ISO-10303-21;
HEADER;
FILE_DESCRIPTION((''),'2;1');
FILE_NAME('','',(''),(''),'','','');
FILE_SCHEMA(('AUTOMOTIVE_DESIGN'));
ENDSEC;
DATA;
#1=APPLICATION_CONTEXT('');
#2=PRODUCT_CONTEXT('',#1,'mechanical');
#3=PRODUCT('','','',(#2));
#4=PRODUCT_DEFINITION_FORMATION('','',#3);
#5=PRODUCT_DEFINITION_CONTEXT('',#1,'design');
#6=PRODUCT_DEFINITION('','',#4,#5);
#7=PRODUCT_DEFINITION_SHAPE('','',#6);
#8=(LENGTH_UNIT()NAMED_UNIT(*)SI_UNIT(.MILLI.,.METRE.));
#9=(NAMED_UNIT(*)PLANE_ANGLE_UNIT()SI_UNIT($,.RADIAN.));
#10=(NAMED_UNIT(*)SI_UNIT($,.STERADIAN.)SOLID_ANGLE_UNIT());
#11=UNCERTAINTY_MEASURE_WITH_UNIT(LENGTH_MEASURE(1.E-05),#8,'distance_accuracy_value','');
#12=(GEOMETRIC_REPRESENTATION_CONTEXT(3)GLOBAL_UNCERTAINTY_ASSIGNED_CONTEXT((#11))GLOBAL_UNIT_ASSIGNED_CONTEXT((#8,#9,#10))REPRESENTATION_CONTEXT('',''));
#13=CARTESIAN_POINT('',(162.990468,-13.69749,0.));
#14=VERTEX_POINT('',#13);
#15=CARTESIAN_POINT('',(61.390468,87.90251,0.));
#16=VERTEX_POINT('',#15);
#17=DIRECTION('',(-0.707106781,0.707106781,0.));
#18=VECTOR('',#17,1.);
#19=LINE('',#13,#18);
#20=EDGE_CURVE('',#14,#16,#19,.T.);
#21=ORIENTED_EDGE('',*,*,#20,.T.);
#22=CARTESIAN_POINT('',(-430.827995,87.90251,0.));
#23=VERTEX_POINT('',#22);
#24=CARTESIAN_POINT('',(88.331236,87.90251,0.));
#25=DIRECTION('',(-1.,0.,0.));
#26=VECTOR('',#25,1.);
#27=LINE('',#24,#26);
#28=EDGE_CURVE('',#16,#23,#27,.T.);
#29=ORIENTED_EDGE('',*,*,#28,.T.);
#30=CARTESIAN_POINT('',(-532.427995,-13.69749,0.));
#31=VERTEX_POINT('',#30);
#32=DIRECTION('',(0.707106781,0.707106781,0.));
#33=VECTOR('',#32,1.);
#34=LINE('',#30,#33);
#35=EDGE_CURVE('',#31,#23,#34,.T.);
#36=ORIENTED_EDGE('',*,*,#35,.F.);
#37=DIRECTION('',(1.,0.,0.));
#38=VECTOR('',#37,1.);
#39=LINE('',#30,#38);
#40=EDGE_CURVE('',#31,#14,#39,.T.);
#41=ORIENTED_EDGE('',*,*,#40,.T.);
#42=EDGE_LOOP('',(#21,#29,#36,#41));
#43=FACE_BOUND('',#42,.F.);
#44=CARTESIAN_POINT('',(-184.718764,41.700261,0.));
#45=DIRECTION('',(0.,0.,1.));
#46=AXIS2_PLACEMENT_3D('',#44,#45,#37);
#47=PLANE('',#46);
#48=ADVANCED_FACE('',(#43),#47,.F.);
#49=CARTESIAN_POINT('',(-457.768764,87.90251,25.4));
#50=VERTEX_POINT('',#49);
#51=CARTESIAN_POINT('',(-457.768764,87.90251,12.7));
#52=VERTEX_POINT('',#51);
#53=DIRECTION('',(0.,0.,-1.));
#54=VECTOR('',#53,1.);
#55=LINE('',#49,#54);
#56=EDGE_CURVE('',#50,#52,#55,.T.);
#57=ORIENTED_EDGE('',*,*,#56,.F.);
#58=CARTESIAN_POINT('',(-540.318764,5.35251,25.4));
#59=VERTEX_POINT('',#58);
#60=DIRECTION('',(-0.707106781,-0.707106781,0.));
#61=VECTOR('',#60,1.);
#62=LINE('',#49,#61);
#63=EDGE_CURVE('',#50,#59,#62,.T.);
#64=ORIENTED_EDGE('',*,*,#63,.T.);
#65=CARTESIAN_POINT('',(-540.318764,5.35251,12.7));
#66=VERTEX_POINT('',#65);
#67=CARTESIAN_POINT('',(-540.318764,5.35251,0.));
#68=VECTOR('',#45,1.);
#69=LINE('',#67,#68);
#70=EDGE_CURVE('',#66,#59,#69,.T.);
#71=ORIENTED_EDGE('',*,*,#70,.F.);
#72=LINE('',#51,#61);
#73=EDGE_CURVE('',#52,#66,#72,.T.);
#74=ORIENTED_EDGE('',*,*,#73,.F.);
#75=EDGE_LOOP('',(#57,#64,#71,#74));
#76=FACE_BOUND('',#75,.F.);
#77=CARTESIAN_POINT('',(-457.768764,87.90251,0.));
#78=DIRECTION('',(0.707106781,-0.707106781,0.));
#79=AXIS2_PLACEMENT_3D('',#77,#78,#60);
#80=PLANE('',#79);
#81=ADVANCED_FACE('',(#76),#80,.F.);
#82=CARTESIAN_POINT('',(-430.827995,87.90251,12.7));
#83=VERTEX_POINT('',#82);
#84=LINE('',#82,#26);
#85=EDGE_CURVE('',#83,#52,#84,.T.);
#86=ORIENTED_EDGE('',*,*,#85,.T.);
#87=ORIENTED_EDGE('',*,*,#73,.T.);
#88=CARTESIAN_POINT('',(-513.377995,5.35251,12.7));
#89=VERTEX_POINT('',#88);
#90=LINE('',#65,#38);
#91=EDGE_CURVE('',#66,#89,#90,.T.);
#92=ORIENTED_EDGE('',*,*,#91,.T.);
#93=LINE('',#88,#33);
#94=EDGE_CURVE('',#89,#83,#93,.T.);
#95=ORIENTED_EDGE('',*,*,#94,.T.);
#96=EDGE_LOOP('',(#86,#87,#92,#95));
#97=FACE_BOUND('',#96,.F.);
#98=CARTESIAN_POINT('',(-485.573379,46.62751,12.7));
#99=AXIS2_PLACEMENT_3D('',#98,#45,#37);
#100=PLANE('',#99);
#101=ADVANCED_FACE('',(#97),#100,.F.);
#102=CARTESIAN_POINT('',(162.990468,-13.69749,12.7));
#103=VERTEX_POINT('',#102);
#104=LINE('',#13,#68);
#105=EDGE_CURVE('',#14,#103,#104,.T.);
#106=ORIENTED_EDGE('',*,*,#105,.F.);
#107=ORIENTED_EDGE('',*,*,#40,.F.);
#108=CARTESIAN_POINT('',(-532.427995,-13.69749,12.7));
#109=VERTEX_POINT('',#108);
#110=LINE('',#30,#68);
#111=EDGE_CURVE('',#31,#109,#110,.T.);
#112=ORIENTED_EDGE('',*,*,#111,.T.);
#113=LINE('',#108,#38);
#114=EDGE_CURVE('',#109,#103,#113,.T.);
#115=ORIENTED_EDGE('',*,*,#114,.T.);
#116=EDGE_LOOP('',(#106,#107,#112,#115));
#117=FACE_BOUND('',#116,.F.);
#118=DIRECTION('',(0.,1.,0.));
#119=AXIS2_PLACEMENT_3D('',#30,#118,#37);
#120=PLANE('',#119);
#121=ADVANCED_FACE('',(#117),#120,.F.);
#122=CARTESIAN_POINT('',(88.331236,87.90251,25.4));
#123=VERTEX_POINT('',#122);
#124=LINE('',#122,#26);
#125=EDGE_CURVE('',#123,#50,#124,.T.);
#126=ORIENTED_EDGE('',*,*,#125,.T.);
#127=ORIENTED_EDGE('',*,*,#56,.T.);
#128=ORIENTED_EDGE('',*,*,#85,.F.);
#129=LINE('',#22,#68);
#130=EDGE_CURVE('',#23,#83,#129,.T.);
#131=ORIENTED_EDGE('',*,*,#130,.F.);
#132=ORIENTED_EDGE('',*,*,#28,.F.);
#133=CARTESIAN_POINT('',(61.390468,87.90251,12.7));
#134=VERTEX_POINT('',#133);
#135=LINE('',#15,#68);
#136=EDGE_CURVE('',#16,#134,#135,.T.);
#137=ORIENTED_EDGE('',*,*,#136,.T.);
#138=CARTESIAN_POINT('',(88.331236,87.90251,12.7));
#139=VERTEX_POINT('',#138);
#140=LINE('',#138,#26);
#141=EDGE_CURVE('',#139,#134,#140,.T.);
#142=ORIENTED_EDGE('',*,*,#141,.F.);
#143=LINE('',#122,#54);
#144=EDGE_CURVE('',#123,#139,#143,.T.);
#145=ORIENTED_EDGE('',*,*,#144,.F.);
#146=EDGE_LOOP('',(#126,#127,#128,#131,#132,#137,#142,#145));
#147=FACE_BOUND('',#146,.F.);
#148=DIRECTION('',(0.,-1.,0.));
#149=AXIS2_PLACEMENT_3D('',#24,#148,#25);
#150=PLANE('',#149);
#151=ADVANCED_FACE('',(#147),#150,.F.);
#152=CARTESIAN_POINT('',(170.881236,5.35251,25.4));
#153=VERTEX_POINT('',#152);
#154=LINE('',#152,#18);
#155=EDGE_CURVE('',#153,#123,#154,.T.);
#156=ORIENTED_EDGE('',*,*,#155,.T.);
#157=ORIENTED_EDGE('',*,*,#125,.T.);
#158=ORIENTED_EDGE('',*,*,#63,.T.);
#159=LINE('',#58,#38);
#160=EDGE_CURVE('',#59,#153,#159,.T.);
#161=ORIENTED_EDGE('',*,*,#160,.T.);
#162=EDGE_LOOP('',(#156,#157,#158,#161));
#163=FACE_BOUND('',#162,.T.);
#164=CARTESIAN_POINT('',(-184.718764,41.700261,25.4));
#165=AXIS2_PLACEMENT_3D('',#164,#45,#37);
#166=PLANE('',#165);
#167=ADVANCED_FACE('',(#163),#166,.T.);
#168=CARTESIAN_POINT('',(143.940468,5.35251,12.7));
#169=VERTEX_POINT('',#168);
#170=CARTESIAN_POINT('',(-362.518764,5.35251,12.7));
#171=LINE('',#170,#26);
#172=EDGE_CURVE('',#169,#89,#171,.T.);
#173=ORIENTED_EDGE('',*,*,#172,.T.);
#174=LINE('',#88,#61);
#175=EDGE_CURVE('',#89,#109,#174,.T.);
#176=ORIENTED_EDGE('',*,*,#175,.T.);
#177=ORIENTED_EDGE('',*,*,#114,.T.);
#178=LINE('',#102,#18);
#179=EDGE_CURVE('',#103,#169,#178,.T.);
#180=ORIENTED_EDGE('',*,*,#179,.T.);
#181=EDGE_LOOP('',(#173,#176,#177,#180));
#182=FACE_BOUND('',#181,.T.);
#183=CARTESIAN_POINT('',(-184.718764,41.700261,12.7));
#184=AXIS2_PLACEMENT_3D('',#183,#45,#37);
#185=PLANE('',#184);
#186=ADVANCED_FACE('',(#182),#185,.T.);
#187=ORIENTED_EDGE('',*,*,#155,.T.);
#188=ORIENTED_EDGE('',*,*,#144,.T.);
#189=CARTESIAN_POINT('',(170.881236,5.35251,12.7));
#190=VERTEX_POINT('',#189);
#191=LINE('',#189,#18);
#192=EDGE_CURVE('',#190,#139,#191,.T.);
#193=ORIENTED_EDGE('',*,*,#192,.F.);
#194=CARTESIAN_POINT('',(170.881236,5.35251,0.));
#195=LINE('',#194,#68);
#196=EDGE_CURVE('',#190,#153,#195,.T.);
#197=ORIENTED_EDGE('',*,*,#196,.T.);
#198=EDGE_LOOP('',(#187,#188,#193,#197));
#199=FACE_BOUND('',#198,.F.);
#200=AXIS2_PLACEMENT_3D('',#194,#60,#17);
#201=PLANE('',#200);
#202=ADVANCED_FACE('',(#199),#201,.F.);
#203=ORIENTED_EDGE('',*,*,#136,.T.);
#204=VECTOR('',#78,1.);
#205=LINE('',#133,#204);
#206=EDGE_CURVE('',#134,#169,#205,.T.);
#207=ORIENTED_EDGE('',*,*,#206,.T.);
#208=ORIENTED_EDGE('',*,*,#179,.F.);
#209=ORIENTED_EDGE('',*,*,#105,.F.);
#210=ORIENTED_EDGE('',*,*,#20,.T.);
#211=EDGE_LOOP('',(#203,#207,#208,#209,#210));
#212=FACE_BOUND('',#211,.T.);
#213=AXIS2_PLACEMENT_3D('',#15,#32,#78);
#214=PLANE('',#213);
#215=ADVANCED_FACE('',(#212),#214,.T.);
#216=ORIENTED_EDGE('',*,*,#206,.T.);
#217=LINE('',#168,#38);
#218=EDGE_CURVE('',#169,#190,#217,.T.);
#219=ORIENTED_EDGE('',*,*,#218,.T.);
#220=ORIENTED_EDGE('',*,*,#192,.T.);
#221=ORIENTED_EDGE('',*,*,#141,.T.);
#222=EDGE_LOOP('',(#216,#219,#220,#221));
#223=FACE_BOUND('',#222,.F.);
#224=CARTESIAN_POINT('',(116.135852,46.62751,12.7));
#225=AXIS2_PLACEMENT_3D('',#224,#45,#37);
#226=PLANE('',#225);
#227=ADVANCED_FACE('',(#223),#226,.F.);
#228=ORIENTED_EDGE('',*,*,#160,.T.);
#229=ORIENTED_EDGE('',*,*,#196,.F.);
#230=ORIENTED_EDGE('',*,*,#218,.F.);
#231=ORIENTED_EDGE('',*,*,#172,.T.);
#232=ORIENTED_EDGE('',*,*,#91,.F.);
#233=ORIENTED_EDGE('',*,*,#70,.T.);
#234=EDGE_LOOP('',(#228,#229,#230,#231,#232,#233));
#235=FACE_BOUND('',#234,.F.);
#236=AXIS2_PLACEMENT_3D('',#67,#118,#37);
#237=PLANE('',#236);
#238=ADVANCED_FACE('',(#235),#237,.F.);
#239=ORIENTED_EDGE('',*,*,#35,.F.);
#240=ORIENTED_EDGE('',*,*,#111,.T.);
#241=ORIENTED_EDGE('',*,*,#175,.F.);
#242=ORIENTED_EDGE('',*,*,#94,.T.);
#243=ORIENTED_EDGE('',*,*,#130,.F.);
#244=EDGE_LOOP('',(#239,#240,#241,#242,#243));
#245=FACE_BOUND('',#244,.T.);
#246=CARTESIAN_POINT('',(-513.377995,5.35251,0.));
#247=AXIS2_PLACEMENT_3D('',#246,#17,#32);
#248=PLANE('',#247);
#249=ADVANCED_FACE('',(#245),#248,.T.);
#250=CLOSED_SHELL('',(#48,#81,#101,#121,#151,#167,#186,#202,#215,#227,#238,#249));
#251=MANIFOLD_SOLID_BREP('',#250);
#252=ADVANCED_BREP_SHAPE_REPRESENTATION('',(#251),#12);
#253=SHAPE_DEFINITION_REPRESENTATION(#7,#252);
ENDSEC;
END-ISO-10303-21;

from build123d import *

# Parameters (mm, degrees)
F1_DEPTH = 12.7
F2_DEPTH = 25.4
F3_DEPTH = 12.7


with BuildPart() as f1:
    # F0 (on Top) → F1 (new body)
    with BuildSketch(Plane.XY):
        Polygon((61.3904680035, 87.9025101712), (-430.82799527, 87.9025101712), (-513.37799527, 5.3525101712), (143.9404680035, 5.3525101712), align=None)
        Polygon((-430.82799527, 87.9025101712), (-457.7687636333, 87.9025101712), (-540.3187636333, 5.3525101712), (-513.37799527, 5.3525101712), align=None)
        Polygon((143.9404680035, 5.3525101712), (-513.37799527, 5.3525101712), (-532.42799527, -13.6974898288), (162.9904680035, -13.6974898288), align=None)
        Polygon((88.3312363667, 87.9025101712), (61.3904680035, 87.9025101712), (143.9404680035, 5.3525101712), (170.8812363667, 5.3525101712), align=None)
    extrude(amount=F1_DEPTH)

    # F0 (on Top) → F2 (join)
    with BuildSketch(Plane.XY):
        Polygon((61.3904680035, 87.9025101712), (-430.82799527, 87.9025101712), (-513.37799527, 5.3525101712), (143.9404680035, 5.3525101712), align=None)
        Polygon((-430.82799527, 87.9025101712), (-457.7687636333, 87.9025101712), (-540.3187636333, 5.3525101712), (-513.37799527, 5.3525101712), align=None)
        Polygon((88.3312363667, 87.9025101712), (61.3904680035, 87.9025101712), (143.9404680035, 5.3525101712), (170.8812363667, 5.3525101712), align=None)
    extrude(amount=F2_DEPTH)

    # F0 (on Top) → F3 (cut)
    with BuildSketch(Plane.XY):
        Polygon((88.3312363667, 87.9025101712), (61.3904680035, 87.9025101712), (143.9404680035, 5.3525101712), (170.8812363667, 5.3525101712), align=None)
        Polygon((-430.82799527, 87.9025101712), (-457.7687636333, 87.9025101712), (-540.3187636333, 5.3525101712), (-513.37799527, 5.3525101712), align=None)
    extrude(amount=F3_DEPTH, mode=Mode.SUBTRACT)


solid = f1.part
